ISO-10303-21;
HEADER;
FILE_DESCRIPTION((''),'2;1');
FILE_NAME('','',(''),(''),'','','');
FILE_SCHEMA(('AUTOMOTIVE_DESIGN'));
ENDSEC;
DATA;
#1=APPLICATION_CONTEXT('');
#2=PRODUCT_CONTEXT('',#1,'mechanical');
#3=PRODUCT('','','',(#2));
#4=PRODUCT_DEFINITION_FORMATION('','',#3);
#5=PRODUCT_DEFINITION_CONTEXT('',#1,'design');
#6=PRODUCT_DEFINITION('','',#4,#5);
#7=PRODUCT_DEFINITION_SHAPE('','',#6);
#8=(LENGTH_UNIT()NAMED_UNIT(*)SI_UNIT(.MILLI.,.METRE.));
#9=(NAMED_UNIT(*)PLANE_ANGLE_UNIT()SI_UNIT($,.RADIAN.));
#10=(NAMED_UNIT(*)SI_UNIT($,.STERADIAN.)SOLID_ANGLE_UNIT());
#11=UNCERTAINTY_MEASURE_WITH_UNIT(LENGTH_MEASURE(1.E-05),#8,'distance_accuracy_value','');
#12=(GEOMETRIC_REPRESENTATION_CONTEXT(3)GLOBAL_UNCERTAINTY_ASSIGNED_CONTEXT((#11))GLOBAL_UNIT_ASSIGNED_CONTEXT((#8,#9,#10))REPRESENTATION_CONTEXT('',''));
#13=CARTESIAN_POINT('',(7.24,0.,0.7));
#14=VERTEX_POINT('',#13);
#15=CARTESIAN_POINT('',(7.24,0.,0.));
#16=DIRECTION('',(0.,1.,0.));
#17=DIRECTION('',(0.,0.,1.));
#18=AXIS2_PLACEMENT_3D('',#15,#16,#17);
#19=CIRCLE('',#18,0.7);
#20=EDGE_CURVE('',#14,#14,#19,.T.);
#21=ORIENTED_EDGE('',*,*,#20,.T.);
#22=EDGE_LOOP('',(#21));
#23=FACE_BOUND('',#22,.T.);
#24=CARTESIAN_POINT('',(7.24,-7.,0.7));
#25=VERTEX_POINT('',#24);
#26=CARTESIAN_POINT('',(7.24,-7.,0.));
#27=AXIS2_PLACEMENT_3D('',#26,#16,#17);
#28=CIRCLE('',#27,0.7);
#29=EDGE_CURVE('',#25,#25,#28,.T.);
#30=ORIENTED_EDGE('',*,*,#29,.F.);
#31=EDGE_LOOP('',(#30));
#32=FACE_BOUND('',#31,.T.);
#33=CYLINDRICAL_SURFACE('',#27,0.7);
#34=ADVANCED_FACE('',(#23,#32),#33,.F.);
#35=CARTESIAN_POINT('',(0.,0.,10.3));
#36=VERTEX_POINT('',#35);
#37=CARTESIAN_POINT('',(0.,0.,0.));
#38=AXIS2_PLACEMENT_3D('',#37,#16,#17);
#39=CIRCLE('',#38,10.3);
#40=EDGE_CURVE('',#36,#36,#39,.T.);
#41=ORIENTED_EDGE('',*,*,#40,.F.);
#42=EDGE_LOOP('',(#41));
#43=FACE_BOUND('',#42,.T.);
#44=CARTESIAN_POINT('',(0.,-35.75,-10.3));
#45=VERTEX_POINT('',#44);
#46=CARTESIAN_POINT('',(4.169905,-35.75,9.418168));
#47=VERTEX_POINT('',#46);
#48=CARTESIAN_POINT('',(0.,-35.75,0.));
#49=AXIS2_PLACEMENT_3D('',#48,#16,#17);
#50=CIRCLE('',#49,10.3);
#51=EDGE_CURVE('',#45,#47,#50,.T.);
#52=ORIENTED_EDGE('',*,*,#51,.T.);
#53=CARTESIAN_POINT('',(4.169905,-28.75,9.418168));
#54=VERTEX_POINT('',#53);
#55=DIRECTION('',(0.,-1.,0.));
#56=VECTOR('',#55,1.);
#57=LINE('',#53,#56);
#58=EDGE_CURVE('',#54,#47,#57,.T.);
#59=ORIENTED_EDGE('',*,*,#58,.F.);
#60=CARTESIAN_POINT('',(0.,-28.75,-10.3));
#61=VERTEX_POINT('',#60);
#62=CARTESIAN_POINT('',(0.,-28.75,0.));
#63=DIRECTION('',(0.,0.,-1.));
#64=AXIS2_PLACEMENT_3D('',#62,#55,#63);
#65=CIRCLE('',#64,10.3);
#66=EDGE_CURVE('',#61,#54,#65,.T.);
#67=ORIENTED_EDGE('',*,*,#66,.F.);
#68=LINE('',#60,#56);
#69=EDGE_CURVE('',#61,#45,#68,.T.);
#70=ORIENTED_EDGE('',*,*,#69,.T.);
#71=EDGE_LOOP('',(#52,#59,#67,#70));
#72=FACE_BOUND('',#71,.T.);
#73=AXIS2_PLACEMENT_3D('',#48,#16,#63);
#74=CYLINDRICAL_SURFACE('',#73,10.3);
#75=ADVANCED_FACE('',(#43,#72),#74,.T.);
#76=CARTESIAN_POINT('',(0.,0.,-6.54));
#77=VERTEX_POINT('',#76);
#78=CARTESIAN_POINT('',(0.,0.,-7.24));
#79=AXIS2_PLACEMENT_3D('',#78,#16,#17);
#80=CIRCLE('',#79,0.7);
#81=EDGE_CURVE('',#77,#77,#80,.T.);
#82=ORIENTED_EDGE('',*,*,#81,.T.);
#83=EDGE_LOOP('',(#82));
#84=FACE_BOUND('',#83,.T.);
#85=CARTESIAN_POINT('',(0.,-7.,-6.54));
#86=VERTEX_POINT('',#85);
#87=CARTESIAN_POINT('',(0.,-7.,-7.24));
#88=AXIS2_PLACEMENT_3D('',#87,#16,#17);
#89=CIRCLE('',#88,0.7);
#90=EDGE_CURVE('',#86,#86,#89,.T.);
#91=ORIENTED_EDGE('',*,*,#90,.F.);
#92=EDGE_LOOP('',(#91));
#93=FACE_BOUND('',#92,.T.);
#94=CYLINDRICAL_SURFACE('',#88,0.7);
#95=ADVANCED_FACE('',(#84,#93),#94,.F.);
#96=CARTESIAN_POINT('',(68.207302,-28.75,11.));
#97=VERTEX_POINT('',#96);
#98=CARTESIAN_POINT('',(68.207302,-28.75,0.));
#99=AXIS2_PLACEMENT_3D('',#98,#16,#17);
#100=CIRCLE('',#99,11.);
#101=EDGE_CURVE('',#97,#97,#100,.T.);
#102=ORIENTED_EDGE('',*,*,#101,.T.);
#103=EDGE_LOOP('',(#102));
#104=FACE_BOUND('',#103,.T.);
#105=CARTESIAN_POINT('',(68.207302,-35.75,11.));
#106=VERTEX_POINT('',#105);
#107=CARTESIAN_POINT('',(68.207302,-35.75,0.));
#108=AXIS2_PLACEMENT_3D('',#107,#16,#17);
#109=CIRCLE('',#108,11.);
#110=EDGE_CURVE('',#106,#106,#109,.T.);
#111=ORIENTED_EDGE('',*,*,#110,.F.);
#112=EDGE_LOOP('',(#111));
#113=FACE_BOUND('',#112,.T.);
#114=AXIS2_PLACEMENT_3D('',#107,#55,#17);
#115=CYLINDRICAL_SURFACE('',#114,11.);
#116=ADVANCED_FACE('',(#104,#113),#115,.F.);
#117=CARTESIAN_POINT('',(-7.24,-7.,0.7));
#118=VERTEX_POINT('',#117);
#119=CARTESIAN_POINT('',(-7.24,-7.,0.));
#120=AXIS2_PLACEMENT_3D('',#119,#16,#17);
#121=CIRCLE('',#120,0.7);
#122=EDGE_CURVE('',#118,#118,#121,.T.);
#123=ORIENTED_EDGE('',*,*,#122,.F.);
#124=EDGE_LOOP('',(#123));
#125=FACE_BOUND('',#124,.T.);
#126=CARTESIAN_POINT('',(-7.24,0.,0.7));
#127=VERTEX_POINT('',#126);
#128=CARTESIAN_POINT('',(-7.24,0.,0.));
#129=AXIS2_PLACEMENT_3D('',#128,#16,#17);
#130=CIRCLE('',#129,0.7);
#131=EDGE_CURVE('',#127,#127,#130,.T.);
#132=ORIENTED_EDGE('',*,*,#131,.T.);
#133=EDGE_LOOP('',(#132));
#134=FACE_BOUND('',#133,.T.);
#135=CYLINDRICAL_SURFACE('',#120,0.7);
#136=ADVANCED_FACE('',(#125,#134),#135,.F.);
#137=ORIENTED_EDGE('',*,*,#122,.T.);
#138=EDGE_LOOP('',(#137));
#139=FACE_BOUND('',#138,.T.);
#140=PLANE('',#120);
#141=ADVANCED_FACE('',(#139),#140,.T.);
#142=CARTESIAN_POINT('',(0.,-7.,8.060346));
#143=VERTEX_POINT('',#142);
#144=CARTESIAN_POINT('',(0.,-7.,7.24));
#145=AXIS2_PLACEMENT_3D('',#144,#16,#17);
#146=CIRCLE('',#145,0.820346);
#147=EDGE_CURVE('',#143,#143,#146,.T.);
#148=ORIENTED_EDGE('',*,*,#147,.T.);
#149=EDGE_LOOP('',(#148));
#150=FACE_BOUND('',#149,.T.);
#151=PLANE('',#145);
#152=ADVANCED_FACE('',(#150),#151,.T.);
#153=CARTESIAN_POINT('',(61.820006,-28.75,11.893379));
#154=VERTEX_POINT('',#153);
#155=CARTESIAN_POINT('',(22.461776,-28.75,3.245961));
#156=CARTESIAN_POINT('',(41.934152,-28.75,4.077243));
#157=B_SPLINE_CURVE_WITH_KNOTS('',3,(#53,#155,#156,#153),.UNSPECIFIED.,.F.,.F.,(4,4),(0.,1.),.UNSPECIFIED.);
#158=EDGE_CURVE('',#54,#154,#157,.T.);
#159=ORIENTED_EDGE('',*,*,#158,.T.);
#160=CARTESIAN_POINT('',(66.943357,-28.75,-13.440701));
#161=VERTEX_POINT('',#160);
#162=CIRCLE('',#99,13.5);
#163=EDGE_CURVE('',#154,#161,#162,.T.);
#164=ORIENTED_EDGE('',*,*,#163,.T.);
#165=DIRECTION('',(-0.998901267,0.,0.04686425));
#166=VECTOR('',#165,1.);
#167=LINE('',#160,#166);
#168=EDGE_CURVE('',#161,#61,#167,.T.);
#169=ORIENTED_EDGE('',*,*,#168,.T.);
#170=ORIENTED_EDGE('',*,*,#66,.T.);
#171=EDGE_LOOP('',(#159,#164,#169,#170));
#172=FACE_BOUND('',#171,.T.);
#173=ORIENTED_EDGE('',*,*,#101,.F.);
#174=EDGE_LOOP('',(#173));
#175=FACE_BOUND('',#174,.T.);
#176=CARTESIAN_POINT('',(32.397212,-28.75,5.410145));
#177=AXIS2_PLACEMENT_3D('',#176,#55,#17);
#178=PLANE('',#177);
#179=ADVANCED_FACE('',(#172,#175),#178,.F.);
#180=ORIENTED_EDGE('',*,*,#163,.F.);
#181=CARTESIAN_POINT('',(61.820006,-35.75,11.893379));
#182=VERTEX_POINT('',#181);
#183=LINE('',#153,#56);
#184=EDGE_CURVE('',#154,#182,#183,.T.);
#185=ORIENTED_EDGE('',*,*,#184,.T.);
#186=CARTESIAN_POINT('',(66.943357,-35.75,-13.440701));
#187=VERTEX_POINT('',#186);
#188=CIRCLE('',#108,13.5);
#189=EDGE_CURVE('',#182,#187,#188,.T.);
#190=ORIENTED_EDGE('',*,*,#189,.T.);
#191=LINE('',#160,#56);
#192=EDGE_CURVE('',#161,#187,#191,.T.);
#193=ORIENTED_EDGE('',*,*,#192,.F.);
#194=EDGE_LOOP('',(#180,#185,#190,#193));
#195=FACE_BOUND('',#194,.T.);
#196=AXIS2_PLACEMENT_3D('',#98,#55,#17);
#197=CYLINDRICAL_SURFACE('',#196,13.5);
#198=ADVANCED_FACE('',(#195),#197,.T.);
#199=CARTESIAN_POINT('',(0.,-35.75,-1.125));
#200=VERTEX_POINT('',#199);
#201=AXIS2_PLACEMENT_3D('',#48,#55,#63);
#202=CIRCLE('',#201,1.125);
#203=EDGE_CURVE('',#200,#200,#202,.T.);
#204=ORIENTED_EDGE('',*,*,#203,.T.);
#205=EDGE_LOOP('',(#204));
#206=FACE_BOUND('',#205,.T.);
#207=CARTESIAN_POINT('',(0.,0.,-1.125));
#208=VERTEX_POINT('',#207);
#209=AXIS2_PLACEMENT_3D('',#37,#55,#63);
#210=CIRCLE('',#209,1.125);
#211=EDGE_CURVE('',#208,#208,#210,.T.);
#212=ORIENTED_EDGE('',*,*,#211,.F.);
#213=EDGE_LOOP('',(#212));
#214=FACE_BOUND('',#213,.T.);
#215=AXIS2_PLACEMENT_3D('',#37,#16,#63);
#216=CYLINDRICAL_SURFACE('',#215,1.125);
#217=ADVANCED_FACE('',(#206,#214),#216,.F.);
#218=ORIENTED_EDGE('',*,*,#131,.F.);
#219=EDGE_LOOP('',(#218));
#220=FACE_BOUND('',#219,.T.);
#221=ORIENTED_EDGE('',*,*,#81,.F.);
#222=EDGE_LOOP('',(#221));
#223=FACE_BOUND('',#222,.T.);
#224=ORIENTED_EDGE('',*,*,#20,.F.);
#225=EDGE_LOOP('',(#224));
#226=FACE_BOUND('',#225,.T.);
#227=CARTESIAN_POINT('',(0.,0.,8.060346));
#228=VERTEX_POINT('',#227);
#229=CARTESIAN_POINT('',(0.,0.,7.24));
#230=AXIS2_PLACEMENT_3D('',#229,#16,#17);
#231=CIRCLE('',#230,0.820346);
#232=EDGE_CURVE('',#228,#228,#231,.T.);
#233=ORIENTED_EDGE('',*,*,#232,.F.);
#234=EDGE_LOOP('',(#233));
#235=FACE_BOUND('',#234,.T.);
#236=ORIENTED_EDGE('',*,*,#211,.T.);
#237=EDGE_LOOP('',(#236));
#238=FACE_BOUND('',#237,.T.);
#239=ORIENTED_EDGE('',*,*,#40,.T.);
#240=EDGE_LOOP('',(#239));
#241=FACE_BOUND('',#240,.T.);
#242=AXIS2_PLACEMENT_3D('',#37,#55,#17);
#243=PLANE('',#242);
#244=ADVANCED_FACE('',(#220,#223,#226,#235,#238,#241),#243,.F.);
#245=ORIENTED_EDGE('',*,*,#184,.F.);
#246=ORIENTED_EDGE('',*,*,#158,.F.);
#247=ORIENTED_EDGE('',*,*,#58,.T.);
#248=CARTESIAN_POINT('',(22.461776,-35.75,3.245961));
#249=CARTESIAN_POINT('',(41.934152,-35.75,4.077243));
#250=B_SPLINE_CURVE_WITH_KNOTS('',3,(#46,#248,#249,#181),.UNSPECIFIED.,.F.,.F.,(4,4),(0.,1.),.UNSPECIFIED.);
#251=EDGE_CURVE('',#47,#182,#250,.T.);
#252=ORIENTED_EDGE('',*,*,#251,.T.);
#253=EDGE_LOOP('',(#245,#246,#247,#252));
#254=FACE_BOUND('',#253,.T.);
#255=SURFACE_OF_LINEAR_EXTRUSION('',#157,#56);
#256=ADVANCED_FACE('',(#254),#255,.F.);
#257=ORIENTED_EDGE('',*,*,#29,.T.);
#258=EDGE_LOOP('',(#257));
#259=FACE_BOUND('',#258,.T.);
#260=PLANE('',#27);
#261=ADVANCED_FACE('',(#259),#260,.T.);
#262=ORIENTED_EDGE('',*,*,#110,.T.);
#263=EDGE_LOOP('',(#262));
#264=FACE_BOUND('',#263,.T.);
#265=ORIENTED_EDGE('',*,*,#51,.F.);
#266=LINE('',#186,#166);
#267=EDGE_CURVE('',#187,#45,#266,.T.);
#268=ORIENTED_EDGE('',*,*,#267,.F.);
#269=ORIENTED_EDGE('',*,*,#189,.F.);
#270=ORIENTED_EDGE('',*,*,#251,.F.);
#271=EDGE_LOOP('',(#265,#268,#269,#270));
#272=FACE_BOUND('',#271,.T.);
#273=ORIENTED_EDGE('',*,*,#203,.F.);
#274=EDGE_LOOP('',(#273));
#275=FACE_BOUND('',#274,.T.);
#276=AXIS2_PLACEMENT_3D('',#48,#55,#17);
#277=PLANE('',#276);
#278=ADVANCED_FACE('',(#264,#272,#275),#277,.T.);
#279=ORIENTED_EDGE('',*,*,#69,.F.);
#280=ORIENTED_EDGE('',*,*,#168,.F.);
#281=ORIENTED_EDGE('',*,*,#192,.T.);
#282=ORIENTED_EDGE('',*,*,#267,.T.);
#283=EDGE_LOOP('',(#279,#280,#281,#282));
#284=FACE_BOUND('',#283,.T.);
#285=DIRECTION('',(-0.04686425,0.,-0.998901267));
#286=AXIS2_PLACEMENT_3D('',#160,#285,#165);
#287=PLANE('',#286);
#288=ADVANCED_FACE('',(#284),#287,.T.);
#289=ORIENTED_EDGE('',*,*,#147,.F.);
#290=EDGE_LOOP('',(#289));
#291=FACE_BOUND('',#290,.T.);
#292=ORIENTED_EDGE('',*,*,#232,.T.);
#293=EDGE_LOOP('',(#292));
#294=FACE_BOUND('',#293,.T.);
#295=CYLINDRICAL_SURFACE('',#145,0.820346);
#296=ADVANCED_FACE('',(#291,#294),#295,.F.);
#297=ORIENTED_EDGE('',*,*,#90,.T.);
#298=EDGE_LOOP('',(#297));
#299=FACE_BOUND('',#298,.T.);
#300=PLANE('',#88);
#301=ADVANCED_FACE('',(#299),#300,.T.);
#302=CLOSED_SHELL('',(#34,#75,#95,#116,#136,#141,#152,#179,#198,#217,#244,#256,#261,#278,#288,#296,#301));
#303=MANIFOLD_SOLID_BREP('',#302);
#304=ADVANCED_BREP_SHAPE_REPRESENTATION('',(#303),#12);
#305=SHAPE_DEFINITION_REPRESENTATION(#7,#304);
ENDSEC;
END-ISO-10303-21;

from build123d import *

# Parameters (mm, degrees)
SZKIC1_R                    = 10.3
DODANIE_WYCI_GNI_CIE1_DEPTH = 35.75
OTWORY_USTALAJ_CE_2_5MM2_D  = 2.25
DODANIE_WYCI_GNI_CIE3_START = -7
DODANIE_WYCI_GNI_CIE3_DEPTH = 7
OTWORY_USTALAJ_CE_2_5MM3_D  = 22
SZKIC12_R                   = 0.7
SZKIC12_R_2                 = 0.820346338
WYTNIJ_WYCI_GNI_CIE1_DEPTH  = 7


with BuildPart() as part:
    # Szkic1 → Dodanie-wyciągnięcie1 (new body)
    with BuildSketch(Plane(origin=(0, 0, 0), x_dir=(1, 0, 0), z_dir=(0, 1, 0))):
        with Locations(Location((0, 0, 0), (0, 0, 270))):
            Circle(SZKIC1_R)
    extrude(amount=DODANIE_WYCI_GNI_CIE1_DEPTH)

    # Otwory ustalające Ø2.5mm2 (through all)
    with Locations(Plane.XZ):
        with Locations((0, 0)):
            Hole(OTWORY_USTALAJ_CE_2_5MM2_D / 2)

    # Szkic7 → Dodanie-wyciągnięcie3 (add)
    with BuildSketch(Plane(origin=(0, 35.75, 0), x_dir=(1, 0, 0), z_dir=(0, 1, 0)).offset(DODANIE_WYCI_GNI_CIE3_START)):
        with BuildLine():
            Line((66.943357066, 13.440701035), (0, 10.3))
            ThreePointArc((0, 10.3), (10.077130906, 2.131063748), (4.169904535, -9.418168408))
            add(Edge.make_bspline(
                [(4.169904535, -9.418168408), (22.461776037, -3.24596138), (41.934151815, -4.077243057), (61.820006497, -11.893378905)],
                knots=[0, 0, 0, 0, 1, 1, 1, 1], degree=3))
            ThreePointArc((61.820006497, -11.893378905), (81.439431711, -2.675954354), (66.943357066, 13.440701035))
        make_face()
    extrude(amount=DODANIE_WYCI_GNI_CIE3_DEPTH)

    # Otwory ustalające Ø2.5mm3 (through all)
    with Locations(Plane(origin=(0, 35.75, 0), x_dir=(1, 0, 0), z_dir=(0, 1, 0))):
        with Locations((68.207301561, 0)):
            Hole(OTWORY_USTALAJ_CE_2_5MM3_D / 2)


with BuildPart() as body_2:
    # Lustro1: mirrored copy
    add(part.part.mirror(Plane.ZX))

    # Szkic12 → Wytnij-wyciągnięcie1 (cut)
    with BuildSketch(Plane(origin=(0, 0, 0), x_dir=(1, 0, 0), z_dir=(0, 1, 0))):
        with Locations(Location((0, 7.24, 0), (0, 0, 270))):
            Circle(SZKIC12_R)
        with Locations(Location((0, -7.24, 0), (0, 0, 270))):
            Circle(SZKIC12_R_2)
        with Locations(Location((7.24, 0, 0), (0, 0, 270))):
            Circle(SZKIC12_R)
        with Locations(Location((-7.24, 0, 0), (0, 0, 270))):
            Circle(SZKIC12_R)
    extrude(amount=-WYTNIJ_WYCI_GNI_CIE1_DEPTH, mode=Mode.SUBTRACT)


solid = body_2.part
